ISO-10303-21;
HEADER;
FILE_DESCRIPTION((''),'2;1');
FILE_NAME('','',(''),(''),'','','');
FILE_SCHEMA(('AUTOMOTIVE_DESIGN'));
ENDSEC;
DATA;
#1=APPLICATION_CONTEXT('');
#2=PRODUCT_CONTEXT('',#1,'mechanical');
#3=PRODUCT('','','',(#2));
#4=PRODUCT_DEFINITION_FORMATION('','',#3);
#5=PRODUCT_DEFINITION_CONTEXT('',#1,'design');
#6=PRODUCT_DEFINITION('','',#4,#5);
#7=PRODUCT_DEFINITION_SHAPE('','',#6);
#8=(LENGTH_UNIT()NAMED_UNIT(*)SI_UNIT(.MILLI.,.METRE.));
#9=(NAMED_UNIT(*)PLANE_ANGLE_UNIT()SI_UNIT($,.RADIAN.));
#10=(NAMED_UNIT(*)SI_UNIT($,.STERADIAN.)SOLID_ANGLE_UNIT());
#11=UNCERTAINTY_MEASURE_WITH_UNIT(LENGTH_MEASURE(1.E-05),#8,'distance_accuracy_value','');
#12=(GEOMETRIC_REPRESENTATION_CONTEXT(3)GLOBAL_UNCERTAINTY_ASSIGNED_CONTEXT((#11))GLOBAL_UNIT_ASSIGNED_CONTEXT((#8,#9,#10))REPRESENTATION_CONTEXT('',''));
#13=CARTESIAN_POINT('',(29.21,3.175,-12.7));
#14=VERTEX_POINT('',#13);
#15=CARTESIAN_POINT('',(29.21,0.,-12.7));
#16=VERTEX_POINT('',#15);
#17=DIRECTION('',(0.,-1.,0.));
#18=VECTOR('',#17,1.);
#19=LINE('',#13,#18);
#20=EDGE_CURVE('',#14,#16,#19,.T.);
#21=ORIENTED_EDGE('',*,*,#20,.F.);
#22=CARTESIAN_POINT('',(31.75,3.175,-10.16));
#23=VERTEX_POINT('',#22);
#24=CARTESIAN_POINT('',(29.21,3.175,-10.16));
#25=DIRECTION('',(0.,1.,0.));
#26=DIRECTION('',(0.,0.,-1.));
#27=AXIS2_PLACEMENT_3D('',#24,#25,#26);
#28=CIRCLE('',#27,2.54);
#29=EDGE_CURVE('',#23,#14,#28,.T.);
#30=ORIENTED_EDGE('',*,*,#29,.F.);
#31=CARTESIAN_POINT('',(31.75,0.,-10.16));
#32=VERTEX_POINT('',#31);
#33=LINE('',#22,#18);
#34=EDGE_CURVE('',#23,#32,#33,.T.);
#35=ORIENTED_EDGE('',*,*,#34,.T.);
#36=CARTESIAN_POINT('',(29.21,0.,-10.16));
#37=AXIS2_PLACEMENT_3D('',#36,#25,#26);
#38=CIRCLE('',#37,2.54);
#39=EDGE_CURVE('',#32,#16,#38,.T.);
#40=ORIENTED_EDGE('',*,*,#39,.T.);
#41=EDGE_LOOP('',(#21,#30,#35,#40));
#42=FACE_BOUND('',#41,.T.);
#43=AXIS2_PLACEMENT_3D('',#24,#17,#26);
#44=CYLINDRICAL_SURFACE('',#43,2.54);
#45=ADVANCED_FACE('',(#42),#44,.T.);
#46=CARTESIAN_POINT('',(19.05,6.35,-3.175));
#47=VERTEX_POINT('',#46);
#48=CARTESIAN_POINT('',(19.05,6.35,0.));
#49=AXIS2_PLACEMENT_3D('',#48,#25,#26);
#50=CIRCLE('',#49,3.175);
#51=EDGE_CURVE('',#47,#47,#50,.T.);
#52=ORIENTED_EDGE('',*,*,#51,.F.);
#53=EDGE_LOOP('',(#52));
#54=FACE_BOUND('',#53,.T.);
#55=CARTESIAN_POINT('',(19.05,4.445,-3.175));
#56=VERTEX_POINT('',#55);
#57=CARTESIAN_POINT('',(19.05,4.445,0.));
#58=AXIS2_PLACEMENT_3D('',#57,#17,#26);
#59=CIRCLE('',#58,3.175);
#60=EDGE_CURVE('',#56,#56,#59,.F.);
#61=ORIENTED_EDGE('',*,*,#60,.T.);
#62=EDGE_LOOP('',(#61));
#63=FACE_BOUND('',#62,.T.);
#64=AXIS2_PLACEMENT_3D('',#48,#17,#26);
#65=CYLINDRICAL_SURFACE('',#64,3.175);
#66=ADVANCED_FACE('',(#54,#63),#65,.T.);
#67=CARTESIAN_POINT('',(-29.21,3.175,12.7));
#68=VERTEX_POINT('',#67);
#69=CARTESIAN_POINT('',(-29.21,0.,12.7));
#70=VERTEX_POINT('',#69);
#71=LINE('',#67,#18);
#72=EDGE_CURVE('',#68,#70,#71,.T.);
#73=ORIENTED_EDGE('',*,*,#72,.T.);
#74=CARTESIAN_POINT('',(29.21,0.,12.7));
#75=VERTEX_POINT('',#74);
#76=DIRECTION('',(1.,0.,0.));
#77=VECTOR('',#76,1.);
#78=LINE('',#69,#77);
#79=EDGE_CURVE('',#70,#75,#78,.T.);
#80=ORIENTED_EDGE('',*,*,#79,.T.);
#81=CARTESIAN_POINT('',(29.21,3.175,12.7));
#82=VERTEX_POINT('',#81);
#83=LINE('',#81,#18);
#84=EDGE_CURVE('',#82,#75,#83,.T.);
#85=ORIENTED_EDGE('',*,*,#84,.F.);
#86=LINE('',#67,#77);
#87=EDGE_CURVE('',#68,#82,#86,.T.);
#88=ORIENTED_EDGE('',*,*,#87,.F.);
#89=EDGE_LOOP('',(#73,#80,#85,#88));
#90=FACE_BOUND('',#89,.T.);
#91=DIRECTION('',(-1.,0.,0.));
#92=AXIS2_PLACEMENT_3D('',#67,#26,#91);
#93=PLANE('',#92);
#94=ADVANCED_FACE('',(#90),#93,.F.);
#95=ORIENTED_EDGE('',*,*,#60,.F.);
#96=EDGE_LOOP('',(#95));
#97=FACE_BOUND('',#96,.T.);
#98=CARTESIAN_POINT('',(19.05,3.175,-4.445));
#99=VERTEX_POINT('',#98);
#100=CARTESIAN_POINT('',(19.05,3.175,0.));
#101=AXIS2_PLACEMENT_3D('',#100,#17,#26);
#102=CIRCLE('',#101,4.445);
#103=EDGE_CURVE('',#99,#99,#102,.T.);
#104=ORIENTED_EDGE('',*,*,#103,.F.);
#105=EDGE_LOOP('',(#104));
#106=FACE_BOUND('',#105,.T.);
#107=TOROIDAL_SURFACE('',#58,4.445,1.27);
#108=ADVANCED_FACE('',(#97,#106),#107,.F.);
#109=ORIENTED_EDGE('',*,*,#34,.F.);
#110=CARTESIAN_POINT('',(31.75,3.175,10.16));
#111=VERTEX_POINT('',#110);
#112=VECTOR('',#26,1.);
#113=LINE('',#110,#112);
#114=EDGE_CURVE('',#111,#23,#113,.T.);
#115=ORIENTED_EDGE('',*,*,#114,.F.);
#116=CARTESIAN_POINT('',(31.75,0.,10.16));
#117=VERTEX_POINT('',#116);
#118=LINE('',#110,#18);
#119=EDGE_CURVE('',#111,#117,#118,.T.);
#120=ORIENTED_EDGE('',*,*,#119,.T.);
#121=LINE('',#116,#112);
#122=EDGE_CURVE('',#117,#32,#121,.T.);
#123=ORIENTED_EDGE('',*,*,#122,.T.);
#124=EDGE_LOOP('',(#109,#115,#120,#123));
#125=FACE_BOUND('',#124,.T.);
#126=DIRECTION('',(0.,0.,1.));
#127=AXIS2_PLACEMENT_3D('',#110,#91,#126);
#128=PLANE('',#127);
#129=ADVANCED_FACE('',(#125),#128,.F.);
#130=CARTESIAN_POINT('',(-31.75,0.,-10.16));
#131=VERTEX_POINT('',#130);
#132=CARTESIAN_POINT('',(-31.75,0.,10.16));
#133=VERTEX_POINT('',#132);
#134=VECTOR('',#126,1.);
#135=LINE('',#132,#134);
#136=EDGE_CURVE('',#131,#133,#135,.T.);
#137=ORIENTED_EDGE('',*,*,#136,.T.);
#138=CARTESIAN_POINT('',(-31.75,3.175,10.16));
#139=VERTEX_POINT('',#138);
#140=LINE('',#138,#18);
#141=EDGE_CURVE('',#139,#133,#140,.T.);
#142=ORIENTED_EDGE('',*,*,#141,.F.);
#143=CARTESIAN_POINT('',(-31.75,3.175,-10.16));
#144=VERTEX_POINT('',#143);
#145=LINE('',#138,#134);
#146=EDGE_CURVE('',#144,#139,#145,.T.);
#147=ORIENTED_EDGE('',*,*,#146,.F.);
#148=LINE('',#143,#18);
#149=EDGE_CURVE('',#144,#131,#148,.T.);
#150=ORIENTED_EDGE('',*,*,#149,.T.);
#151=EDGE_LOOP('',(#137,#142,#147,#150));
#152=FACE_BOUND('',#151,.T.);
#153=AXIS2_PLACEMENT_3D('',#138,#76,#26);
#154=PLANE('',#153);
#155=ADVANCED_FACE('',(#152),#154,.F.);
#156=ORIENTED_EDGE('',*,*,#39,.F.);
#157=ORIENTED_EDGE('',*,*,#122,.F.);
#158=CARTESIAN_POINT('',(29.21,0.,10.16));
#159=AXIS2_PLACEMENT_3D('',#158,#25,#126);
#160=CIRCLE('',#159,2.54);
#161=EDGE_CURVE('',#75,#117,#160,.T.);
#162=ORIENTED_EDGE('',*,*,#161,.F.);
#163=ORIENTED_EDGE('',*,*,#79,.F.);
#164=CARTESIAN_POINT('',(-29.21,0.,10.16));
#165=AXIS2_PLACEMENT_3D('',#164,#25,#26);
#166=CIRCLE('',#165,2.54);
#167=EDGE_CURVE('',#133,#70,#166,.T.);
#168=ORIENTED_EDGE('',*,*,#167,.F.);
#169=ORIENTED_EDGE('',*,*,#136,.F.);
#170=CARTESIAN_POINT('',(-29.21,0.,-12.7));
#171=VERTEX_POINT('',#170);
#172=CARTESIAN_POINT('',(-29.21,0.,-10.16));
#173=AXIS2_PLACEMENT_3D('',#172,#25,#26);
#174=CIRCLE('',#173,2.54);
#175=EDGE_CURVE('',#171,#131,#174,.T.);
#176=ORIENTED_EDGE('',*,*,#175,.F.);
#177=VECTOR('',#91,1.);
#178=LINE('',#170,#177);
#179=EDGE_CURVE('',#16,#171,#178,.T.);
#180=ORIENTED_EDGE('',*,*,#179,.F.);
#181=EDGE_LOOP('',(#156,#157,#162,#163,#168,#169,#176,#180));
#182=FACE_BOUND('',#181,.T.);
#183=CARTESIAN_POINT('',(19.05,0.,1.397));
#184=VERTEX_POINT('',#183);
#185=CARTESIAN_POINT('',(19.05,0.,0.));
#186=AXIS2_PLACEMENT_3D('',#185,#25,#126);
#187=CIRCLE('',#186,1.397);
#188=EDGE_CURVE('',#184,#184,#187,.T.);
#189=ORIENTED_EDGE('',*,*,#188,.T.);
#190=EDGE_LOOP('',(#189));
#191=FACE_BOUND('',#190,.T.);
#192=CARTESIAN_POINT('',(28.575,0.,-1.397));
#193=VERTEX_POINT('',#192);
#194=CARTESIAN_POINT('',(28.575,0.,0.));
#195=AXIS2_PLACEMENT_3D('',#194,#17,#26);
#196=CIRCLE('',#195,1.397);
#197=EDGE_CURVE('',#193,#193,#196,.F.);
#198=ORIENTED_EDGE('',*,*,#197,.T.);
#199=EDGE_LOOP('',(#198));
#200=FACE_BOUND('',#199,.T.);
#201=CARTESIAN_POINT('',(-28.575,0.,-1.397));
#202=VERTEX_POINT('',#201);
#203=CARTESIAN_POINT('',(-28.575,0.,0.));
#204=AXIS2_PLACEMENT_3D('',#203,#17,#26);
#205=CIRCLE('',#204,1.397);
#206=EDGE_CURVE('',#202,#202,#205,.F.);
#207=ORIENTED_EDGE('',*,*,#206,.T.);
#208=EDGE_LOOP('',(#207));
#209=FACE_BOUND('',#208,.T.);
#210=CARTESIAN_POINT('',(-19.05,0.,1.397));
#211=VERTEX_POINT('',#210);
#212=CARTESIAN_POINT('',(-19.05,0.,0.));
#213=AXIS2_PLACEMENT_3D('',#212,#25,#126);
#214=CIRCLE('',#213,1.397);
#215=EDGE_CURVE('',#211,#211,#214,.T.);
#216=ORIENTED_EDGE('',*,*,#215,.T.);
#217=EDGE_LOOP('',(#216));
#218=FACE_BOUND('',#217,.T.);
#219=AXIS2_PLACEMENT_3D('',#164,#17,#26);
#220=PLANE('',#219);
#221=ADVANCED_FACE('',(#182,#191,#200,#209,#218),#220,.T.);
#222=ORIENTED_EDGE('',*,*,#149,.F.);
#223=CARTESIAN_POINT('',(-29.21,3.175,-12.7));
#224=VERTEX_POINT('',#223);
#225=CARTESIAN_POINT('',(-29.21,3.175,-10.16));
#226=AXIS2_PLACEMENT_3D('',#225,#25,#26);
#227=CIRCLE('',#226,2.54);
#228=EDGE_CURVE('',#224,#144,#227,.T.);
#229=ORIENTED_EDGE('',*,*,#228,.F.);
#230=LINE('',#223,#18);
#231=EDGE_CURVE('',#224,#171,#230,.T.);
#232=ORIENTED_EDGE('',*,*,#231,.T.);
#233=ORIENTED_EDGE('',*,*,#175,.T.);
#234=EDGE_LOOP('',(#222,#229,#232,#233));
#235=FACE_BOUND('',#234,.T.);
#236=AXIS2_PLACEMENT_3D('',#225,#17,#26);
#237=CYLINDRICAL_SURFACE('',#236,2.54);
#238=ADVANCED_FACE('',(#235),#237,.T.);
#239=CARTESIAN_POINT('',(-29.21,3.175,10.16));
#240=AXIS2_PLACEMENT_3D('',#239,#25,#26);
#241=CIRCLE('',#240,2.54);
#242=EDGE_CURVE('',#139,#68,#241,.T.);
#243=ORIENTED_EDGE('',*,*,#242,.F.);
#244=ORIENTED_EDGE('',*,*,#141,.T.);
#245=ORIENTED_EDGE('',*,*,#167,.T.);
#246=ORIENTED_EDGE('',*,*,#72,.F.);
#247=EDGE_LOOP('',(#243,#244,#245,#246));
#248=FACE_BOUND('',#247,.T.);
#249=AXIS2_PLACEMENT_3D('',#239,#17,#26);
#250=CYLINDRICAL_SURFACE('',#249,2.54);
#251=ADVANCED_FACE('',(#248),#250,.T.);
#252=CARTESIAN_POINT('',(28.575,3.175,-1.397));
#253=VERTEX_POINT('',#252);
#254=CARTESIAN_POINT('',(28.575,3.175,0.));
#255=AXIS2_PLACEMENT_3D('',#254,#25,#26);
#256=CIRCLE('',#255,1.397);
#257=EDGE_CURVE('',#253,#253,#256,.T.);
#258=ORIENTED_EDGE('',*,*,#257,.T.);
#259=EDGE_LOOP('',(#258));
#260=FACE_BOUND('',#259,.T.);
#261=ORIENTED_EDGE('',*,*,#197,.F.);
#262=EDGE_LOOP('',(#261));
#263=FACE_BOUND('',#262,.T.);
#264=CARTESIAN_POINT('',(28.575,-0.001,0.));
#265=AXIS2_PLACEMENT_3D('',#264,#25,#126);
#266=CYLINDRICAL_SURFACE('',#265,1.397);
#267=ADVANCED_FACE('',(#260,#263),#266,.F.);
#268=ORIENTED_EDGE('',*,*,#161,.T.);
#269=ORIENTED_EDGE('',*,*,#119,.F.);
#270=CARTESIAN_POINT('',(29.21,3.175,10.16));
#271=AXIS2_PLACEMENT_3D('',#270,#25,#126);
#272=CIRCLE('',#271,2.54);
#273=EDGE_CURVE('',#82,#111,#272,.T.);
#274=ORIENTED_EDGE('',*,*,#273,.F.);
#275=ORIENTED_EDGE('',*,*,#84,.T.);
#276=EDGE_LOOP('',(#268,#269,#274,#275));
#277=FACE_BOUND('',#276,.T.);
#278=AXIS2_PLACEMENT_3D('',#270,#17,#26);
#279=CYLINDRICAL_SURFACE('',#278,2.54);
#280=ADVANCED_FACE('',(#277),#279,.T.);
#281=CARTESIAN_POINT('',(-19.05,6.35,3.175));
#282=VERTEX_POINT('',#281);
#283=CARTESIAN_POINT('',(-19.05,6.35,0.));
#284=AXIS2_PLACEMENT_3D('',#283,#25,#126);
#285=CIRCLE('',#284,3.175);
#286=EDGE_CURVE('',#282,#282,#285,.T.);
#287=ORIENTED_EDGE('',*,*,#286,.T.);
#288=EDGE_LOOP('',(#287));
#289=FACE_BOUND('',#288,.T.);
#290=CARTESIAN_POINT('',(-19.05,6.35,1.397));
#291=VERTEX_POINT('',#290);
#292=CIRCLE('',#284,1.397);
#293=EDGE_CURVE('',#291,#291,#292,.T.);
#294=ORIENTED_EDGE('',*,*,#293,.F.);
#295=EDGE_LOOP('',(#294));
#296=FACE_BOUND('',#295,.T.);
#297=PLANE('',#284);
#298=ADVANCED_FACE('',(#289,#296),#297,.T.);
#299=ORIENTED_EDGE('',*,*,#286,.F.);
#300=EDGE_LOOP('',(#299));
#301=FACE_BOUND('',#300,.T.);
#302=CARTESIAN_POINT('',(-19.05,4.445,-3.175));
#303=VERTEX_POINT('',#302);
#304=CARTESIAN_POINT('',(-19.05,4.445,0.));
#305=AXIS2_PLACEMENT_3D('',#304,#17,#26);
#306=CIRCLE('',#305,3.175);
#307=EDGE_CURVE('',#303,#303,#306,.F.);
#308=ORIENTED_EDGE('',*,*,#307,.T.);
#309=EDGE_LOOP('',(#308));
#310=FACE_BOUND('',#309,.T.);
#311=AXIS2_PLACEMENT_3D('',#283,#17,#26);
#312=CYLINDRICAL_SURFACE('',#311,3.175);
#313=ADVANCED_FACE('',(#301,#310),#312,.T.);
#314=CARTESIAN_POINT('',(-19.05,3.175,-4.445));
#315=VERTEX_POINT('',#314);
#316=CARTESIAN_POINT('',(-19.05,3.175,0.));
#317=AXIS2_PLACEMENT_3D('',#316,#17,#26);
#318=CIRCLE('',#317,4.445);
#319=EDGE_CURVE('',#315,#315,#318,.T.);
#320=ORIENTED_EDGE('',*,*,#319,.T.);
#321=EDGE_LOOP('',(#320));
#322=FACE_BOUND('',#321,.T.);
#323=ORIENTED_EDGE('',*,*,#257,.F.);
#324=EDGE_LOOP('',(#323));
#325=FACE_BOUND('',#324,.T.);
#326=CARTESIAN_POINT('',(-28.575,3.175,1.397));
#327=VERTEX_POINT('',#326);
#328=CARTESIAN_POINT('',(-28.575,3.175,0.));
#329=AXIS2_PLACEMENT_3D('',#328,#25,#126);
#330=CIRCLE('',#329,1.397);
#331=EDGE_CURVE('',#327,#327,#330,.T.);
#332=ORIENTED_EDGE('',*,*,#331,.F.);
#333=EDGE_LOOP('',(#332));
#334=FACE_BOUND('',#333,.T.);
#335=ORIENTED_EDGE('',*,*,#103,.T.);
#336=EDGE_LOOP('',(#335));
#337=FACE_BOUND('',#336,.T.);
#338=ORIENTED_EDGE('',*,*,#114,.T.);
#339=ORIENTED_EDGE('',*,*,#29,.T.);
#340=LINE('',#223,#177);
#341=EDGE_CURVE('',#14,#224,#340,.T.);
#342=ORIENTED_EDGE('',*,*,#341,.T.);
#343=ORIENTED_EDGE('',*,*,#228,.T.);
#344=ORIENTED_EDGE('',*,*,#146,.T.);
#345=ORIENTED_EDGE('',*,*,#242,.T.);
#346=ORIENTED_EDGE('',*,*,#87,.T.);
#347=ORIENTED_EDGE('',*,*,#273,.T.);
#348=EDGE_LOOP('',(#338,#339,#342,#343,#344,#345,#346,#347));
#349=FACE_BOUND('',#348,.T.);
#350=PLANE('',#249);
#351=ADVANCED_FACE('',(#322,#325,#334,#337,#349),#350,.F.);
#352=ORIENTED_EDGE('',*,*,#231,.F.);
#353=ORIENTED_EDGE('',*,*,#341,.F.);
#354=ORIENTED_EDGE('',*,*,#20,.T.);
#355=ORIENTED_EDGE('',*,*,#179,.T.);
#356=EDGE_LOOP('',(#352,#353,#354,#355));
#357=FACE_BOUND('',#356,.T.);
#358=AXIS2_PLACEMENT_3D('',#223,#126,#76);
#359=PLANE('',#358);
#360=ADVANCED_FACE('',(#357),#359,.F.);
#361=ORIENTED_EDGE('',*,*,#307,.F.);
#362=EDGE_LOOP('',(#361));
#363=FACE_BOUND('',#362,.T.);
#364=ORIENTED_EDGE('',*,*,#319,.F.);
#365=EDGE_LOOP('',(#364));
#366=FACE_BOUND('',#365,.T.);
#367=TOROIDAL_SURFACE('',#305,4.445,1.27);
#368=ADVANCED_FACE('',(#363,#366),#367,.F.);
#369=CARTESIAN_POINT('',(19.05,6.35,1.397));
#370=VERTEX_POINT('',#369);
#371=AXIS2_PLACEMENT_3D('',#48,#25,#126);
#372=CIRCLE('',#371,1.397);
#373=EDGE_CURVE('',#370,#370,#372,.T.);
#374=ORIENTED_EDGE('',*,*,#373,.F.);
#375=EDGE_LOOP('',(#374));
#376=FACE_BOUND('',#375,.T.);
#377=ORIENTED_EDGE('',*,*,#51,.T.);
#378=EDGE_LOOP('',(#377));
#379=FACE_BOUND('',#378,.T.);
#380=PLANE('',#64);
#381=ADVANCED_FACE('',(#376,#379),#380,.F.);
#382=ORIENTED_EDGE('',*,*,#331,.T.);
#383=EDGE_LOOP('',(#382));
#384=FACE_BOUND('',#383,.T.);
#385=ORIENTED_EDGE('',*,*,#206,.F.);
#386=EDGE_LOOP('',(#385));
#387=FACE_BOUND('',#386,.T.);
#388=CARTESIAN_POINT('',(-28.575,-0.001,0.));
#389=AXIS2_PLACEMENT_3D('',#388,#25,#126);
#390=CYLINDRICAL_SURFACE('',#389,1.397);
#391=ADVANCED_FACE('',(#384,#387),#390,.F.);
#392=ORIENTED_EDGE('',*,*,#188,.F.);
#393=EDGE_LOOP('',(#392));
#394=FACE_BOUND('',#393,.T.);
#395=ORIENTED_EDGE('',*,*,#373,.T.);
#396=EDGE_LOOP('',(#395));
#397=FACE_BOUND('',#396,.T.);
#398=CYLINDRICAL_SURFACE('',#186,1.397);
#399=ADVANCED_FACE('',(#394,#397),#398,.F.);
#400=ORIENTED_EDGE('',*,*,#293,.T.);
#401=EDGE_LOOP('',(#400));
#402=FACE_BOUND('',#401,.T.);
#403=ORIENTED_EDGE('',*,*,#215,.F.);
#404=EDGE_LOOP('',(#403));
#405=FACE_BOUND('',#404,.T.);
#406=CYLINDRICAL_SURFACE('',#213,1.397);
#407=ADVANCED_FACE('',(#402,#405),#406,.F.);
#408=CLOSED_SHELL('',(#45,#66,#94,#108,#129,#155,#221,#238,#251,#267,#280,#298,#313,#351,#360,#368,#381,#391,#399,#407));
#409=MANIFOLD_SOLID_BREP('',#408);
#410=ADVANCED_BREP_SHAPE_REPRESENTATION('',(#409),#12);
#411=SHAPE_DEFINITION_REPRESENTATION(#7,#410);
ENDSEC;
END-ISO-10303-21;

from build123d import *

# Parameters (mm, degrees)
BOSS_EXTRUDE1_DEPTH = 3.175
SKETCH2_R           = 3.175
BOSS_EXTRUDE2_DEPTH = 3.175
SKETCH3_R           = 1.397
CUT_EXTRUDE1_DEPTH  = 7.35
FILLET1_R           = 1.27
CUT_EXTRUDE2_REACH  = 5.175
SKETCH4_R           = 1.397


with BuildPart() as part:
    # Sketch1 → Boss-Extrude1 (new body)
    with BuildSketch(Plane(origin=(0, 0, 0), x_dir=(1, 0, 0), z_dir=(0, 1, 0))):
        with BuildLine():
            Line((-29.21, -12.7), (29.21, -12.7))
            ThreePointArc((29.21, -12.7), (31.006051224, -11.956051224), (31.75, -10.16))
            Line((31.75, -10.16), (31.75, 10.16))
            ThreePointArc((31.75, 10.16), (31.006051224, 11.956051224), (29.21, 12.7))
            Line((29.21, 12.7), (-29.21, 12.7))
            ThreePointArc((-29.21, 12.7), (-31.006051224, 11.956051224), (-31.75, 10.16))
            Line((-31.75, 10.16), (-31.75, -10.16))
            ThreePointArc((-31.75, -10.16), (-31.006051224, -11.956051224), (-29.21, -12.7))
        make_face()
    extrude(amount=BOSS_EXTRUDE1_DEPTH)

    # Sketch2 → Boss-Extrude2 (add)
    with BuildSketch(Plane(origin=(0, 3.175, 0), x_dir=(1, 0, 0), z_dir=(0, 1, 0))):
        with Locations((-19.05, 0)):
            Circle(SKETCH2_R)
        with Locations((19.05, 0)):
            Circle(SKETCH2_R)
    extrude(amount=BOSS_EXTRUDE2_DEPTH)

    # Sketch3 → Cut-Extrude1 (cut, through all)
    with BuildSketch(Plane(origin=(0, 6.35, 0), x_dir=(1, 0, 0), z_dir=(0, 1, 0))):
        with Locations((-19.05, 0)):
            Circle(SKETCH3_R)
        with Locations((19.05, 0)):
            Circle(SKETCH3_R)
    extrude(amount=-CUT_EXTRUDE1_DEPTH, mode=Mode.SUBTRACT)

    # Fillet1
    fillet1_edges = [part.edges().sort_by_distance(p)[0] for p in [
        (-22.225, 3.175, 0),
        (15.875, 3.175, 0),
    ]]
    fillet(fillet1_edges, radius=FILLET1_R)

    # Sketch4 → Cut-Extrude2 (cut, up to next)
    with BuildSketch(Plane(origin=(0, 3.175, 0), x_dir=(1, 0, 0), z_dir=(0, 1, 0)), mode=Mode.PRIVATE) as cut_extrude2_sk1:
        with Locations((-28.575, 0)):
            Circle(SKETCH4_R)
    cut_extrude2_tool1 = extrude(cut_extrude2_sk1.sketch, amount=-CUT_EXTRUDE2_REACH, mode=Mode.PRIVATE) & part.part
    add(cut_extrude2_tool1.solids().sort_by_distance((-28.575, 3.175, 0))[0], mode=Mode.SUBTRACT)
    # Sketch4 → Cut-Extrude2 (cut, up to next)
    with BuildSketch(Plane(origin=(0, 3.175, 0), x_dir=(1, 0, 0), z_dir=(0, 1, 0)), mode=Mode.PRIVATE) as cut_extrude2_sk2:
        with Locations((28.575, 0)):
            Circle(SKETCH4_R)
    cut_extrude2_tool2 = extrude(cut_extrude2_sk2.sketch, amount=-CUT_EXTRUDE2_REACH, mode=Mode.PRIVATE) & part.part
    add(cut_extrude2_tool2.solids().sort_by_distance((28.575, 3.175, 0))[0], mode=Mode.SUBTRACT)


solid = part.part
